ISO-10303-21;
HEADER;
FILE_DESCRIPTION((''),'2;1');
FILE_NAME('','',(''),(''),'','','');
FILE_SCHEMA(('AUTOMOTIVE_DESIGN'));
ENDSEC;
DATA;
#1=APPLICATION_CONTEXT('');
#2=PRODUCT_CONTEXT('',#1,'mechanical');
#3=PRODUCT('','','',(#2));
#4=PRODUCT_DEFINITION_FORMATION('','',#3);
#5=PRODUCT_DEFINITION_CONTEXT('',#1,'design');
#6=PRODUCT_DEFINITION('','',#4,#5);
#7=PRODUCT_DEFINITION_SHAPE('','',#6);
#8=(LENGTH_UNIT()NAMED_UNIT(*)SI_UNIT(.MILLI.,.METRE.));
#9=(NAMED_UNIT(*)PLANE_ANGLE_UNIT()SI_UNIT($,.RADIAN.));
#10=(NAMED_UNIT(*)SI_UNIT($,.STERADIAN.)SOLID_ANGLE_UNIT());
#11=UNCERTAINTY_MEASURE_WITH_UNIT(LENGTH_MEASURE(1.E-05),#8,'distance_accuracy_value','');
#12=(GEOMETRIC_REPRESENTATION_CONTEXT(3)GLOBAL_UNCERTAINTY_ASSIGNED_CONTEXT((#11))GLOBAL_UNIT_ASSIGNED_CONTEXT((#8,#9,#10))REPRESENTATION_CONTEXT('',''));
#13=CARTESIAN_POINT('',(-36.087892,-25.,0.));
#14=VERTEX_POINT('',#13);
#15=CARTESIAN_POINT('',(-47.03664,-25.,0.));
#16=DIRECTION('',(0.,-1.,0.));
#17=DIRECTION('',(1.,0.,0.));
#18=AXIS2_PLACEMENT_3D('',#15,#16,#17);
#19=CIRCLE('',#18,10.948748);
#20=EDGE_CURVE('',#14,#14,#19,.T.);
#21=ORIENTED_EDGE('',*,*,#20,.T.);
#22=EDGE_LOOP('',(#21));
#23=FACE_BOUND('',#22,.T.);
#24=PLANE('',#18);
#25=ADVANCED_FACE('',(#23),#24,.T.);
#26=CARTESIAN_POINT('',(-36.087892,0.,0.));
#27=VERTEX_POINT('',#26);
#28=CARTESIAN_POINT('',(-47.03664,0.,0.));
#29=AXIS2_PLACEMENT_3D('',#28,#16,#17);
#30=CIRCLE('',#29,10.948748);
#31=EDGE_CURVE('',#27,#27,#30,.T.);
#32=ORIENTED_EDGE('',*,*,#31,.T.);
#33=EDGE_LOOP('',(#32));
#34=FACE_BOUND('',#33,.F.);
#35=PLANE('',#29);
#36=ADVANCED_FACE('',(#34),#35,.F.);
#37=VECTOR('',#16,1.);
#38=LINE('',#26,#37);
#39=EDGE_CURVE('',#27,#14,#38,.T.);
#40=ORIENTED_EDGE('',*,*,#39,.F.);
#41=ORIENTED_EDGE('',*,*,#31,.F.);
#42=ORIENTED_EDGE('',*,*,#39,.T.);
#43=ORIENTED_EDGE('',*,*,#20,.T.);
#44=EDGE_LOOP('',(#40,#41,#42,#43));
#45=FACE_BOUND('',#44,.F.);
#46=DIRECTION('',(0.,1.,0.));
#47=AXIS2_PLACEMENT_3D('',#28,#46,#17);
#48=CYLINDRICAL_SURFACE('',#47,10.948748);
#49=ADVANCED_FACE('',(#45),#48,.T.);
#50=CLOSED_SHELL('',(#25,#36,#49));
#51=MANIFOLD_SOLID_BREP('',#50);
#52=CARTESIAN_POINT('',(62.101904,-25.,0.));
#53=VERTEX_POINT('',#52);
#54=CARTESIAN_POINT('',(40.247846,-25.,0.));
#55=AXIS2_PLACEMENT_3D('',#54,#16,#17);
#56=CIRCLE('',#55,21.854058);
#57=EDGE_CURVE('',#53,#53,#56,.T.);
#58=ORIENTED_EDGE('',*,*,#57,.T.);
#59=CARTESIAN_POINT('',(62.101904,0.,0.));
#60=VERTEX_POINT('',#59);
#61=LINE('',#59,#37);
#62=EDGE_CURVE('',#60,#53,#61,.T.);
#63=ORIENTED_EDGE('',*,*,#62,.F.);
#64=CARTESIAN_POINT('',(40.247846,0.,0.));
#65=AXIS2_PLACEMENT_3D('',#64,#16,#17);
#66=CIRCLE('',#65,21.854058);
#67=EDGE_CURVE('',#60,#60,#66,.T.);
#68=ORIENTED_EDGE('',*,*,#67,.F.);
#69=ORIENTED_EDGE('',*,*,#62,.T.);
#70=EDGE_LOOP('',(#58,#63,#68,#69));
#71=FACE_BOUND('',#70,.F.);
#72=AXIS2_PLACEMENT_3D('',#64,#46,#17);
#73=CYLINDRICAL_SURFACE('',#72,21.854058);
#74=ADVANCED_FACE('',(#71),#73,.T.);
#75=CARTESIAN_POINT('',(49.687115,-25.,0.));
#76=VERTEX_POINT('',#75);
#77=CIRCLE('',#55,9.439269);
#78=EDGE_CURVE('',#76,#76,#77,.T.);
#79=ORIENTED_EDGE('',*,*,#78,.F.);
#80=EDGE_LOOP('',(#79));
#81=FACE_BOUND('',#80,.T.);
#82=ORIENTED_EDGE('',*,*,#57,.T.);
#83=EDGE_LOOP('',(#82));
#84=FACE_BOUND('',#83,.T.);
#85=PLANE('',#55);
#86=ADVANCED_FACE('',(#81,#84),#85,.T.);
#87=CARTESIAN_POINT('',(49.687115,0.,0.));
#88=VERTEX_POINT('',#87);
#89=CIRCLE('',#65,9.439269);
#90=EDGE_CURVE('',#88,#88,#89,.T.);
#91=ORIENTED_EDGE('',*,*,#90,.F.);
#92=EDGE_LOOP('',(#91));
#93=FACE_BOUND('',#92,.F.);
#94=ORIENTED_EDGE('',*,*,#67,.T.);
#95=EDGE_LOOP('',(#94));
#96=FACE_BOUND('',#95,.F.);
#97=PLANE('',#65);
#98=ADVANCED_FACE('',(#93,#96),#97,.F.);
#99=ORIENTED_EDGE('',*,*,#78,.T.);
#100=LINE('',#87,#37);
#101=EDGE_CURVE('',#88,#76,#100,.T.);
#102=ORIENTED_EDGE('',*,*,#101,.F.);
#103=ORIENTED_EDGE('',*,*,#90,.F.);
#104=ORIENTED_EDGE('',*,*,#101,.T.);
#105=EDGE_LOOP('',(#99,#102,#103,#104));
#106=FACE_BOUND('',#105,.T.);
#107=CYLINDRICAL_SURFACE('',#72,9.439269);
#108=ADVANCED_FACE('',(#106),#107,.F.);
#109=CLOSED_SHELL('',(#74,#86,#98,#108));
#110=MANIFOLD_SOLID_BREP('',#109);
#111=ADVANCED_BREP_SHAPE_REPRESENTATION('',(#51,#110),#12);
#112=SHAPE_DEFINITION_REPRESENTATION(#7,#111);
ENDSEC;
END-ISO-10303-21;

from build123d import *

# Parameters (mm, degrees)
F0_R     = 21.854058
F0_R_2   = 9.439269
F0_R_3   = 10.948748
F1_DEPTH = 25


with BuildPart() as f1:
    # F0 (on Front) → F1 (new body)
    with BuildSketch(Plane.XZ):
        with Locations((40.247846, 0)):
            Circle(F0_R)
        with Locations((40.247846, 0)):
            Circle(F0_R_2, mode=Mode.SUBTRACT)
        with Locations((-47.03664, 0)):
            Circle(F0_R_3)
    extrude(amount=F1_DEPTH)


solid = f1.part
